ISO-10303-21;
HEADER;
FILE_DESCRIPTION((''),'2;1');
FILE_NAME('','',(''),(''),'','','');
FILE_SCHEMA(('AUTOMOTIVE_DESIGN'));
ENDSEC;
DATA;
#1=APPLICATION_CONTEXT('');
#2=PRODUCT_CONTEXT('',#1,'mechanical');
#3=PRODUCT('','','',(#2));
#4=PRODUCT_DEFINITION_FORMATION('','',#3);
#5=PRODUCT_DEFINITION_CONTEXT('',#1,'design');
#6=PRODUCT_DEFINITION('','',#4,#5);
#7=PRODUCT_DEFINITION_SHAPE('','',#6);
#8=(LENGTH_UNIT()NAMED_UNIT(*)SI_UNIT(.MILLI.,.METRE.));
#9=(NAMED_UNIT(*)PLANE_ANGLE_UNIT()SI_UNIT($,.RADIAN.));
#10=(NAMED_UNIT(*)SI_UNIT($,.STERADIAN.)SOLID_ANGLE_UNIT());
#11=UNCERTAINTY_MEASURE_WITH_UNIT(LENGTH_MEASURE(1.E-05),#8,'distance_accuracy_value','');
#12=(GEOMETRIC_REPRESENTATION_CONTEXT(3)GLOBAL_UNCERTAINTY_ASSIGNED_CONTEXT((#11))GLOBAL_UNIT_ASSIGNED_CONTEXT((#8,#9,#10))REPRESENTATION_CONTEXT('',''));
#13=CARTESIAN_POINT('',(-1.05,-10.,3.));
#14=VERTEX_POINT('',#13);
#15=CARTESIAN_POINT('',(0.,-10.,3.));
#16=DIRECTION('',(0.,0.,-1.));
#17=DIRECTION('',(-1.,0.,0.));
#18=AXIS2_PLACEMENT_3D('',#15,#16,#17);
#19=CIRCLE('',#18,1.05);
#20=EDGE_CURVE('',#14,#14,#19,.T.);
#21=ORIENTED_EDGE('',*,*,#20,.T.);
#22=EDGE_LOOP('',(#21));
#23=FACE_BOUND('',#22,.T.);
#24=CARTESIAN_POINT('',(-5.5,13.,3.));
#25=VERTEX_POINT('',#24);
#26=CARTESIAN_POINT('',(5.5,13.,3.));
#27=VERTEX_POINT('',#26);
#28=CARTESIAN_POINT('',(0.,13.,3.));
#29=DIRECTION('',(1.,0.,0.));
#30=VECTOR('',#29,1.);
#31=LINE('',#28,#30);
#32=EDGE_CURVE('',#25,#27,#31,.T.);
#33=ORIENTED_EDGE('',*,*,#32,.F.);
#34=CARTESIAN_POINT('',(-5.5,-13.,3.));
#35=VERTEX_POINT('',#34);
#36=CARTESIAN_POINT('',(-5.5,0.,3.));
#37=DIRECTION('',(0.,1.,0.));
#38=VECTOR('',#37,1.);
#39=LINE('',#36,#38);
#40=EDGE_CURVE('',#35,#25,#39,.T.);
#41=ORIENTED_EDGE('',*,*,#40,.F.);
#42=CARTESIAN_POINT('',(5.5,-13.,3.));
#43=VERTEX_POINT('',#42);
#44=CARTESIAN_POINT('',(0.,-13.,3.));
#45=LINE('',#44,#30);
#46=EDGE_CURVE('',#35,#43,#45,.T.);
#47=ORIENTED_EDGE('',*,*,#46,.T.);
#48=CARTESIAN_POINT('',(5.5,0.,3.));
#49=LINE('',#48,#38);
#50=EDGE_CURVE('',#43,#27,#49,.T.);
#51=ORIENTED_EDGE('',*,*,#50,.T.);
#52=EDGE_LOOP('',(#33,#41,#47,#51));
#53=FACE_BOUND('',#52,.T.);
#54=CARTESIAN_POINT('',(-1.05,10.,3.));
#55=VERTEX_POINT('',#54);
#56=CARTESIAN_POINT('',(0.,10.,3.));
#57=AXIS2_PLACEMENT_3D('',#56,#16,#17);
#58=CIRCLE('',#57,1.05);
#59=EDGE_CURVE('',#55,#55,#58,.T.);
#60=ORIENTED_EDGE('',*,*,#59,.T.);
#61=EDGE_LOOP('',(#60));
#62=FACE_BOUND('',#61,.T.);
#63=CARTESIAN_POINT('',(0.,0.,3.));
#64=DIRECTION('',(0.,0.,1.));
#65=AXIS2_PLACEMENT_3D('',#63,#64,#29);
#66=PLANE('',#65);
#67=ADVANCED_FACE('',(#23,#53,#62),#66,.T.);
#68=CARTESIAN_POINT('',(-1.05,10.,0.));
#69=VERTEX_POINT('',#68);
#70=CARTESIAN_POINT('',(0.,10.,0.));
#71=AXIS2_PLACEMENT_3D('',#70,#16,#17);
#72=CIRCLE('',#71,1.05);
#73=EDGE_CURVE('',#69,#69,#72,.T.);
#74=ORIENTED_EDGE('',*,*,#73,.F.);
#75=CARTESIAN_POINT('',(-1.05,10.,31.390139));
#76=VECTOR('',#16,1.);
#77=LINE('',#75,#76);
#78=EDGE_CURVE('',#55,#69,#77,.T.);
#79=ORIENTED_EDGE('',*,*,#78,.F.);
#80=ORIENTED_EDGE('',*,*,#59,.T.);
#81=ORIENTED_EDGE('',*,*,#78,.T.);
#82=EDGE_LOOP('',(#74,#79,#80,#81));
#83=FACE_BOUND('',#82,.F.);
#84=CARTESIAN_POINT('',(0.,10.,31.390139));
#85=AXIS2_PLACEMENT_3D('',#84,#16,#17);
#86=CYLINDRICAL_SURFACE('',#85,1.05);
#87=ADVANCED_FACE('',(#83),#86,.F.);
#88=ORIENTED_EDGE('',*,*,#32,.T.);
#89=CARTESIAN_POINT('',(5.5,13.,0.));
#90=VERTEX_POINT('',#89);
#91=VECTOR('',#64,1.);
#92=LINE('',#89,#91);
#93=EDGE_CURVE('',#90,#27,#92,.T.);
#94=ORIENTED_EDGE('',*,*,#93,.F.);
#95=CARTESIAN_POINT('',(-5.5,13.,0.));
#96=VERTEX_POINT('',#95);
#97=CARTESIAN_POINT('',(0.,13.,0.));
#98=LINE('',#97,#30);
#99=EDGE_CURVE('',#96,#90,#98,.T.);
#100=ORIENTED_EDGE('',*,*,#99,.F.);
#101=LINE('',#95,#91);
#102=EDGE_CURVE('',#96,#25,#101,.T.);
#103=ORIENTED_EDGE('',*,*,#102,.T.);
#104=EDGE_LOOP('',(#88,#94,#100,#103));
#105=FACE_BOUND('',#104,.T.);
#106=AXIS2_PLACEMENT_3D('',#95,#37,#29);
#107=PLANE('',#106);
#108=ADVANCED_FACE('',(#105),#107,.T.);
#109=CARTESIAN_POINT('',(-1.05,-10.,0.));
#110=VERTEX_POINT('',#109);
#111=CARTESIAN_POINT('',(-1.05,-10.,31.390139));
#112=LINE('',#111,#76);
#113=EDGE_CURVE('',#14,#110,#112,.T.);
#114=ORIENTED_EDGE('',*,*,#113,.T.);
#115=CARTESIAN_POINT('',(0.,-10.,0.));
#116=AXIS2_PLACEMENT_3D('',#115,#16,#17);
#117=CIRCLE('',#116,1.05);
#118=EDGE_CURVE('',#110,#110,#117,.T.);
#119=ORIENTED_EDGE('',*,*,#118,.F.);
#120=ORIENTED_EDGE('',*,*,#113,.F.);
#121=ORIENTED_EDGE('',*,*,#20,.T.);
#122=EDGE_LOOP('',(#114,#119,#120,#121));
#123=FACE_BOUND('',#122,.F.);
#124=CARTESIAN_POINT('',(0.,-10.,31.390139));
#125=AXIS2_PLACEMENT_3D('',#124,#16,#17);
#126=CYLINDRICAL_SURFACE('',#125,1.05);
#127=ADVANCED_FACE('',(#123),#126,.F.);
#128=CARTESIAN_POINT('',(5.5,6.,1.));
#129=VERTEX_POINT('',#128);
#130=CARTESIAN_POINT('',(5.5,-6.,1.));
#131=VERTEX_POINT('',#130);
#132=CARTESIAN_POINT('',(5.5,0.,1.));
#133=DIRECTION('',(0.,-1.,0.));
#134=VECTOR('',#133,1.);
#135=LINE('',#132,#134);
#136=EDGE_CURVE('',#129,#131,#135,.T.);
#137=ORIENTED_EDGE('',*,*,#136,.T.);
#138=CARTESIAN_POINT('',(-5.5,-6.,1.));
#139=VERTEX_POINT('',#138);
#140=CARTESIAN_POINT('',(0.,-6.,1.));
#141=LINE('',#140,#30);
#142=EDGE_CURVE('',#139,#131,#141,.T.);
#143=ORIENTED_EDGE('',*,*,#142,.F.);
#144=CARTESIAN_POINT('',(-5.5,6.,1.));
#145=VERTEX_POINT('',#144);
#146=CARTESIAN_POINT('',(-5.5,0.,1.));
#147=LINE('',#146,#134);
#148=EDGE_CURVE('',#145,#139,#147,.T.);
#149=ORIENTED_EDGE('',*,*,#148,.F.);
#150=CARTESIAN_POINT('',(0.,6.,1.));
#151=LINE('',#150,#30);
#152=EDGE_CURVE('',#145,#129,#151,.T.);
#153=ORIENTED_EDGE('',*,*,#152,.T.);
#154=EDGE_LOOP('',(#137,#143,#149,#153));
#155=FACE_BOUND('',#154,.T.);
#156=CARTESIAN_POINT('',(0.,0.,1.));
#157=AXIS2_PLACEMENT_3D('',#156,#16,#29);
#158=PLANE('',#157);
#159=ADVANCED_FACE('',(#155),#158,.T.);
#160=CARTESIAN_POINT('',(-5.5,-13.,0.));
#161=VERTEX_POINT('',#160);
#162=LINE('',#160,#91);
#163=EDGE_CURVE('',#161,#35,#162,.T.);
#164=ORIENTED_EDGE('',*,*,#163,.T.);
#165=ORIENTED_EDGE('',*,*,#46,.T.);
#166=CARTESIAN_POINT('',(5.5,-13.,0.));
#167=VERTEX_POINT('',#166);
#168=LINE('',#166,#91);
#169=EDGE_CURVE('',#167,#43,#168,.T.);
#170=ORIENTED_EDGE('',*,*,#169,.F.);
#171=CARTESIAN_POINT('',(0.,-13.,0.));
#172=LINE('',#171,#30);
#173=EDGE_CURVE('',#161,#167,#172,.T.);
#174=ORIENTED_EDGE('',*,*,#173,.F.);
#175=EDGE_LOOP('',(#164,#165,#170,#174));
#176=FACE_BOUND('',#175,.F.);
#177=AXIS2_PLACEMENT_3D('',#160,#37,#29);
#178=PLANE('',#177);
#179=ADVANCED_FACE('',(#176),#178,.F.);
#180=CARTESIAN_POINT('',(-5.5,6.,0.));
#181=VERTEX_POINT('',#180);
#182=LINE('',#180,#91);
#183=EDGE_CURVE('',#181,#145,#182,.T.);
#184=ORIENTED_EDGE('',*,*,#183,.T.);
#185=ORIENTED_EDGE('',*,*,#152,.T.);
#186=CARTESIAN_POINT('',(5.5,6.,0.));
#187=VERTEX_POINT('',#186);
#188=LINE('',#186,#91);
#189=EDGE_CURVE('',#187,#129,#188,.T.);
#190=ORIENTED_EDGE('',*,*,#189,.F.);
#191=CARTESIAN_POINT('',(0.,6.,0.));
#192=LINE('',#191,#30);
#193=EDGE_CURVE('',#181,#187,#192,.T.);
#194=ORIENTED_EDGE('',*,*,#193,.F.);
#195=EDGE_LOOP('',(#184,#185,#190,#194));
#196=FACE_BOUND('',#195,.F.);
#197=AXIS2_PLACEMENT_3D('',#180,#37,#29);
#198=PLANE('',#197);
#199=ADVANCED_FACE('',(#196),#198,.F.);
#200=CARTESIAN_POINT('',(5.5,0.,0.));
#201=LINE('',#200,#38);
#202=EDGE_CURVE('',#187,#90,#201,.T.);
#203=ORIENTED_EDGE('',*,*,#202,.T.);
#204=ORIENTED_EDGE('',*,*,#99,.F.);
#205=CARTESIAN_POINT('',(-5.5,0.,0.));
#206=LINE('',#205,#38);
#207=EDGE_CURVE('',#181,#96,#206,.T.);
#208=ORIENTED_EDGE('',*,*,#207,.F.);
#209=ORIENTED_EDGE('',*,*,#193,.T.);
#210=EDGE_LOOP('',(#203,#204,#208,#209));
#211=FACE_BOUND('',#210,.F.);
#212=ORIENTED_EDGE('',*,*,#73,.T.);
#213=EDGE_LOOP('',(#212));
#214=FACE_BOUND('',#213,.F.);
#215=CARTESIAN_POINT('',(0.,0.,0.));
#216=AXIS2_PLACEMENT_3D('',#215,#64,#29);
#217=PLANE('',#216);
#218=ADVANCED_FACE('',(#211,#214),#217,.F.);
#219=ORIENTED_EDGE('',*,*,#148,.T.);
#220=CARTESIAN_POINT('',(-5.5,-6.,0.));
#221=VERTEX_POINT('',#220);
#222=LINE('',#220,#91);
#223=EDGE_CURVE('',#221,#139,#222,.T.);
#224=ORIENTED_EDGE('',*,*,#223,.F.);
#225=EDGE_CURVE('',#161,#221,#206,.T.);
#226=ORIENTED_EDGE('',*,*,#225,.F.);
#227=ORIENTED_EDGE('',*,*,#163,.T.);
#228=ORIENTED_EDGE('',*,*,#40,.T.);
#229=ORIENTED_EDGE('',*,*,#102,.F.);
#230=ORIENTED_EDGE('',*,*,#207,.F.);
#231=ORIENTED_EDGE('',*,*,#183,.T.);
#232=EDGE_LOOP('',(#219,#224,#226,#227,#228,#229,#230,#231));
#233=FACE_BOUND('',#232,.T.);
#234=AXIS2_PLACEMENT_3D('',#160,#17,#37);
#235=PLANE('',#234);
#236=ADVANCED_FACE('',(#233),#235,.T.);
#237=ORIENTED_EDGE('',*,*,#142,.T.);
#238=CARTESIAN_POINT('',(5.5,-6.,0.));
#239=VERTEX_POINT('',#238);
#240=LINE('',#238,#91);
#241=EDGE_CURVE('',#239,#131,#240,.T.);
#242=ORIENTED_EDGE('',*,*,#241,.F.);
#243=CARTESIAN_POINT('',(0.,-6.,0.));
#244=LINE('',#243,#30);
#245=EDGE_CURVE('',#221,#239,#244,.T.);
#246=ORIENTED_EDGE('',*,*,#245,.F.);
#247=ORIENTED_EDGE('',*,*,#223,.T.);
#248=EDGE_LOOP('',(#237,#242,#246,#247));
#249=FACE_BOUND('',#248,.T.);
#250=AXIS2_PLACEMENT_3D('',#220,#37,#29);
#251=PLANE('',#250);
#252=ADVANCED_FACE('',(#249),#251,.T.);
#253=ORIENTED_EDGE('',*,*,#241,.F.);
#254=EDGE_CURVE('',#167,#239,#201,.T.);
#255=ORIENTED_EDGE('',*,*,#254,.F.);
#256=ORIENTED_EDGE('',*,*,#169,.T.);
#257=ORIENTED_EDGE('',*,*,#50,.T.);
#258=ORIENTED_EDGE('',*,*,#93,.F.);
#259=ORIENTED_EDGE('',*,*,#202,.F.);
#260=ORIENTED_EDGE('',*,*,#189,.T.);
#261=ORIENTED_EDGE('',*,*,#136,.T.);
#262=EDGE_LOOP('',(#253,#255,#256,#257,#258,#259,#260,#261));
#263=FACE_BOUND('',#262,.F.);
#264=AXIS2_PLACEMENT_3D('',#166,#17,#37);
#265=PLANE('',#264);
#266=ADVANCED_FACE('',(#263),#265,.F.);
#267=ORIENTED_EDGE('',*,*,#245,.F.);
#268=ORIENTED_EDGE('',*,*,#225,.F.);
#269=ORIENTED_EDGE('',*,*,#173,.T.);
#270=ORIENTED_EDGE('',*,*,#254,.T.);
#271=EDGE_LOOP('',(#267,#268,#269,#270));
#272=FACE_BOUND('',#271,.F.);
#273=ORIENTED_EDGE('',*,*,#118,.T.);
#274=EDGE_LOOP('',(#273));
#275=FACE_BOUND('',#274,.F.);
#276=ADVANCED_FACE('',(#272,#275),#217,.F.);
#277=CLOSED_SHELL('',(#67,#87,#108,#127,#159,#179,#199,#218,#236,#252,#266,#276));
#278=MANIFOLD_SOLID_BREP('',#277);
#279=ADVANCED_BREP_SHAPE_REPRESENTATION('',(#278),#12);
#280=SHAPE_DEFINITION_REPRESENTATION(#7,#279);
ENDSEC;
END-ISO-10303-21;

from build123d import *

# Parameters (mm, degrees)
F0_W     = 11
F0_H     = 26
F1_DEPTH = 3
F2_W     = 11
F2_H     = 12
F3_DEPTH = 1
F5_D     = 2.1


with BuildPart() as f1:
    # F0 (on Top) → F1 (new body)
    with BuildSketch(Plane.XY):
        Rectangle(F0_W, F0_H)
    extrude(amount=F1_DEPTH)

    # F2 (on face) → F3 (cut)
    with BuildSketch(Plane(origin=(0, 0, 0), x_dir=(1, 0, 0), z_dir=(0, 0, -1))):
        Rectangle(F2_W, F2_H)
    extrude(amount=-F3_DEPTH, mode=Mode.SUBTRACT)

    # F5 (through all)
    with Locations(Plane.XY.offset(3)):
        with Locations((0, 10), (0, -10)):
            Hole(F5_D / 2)


solid = f1.part
